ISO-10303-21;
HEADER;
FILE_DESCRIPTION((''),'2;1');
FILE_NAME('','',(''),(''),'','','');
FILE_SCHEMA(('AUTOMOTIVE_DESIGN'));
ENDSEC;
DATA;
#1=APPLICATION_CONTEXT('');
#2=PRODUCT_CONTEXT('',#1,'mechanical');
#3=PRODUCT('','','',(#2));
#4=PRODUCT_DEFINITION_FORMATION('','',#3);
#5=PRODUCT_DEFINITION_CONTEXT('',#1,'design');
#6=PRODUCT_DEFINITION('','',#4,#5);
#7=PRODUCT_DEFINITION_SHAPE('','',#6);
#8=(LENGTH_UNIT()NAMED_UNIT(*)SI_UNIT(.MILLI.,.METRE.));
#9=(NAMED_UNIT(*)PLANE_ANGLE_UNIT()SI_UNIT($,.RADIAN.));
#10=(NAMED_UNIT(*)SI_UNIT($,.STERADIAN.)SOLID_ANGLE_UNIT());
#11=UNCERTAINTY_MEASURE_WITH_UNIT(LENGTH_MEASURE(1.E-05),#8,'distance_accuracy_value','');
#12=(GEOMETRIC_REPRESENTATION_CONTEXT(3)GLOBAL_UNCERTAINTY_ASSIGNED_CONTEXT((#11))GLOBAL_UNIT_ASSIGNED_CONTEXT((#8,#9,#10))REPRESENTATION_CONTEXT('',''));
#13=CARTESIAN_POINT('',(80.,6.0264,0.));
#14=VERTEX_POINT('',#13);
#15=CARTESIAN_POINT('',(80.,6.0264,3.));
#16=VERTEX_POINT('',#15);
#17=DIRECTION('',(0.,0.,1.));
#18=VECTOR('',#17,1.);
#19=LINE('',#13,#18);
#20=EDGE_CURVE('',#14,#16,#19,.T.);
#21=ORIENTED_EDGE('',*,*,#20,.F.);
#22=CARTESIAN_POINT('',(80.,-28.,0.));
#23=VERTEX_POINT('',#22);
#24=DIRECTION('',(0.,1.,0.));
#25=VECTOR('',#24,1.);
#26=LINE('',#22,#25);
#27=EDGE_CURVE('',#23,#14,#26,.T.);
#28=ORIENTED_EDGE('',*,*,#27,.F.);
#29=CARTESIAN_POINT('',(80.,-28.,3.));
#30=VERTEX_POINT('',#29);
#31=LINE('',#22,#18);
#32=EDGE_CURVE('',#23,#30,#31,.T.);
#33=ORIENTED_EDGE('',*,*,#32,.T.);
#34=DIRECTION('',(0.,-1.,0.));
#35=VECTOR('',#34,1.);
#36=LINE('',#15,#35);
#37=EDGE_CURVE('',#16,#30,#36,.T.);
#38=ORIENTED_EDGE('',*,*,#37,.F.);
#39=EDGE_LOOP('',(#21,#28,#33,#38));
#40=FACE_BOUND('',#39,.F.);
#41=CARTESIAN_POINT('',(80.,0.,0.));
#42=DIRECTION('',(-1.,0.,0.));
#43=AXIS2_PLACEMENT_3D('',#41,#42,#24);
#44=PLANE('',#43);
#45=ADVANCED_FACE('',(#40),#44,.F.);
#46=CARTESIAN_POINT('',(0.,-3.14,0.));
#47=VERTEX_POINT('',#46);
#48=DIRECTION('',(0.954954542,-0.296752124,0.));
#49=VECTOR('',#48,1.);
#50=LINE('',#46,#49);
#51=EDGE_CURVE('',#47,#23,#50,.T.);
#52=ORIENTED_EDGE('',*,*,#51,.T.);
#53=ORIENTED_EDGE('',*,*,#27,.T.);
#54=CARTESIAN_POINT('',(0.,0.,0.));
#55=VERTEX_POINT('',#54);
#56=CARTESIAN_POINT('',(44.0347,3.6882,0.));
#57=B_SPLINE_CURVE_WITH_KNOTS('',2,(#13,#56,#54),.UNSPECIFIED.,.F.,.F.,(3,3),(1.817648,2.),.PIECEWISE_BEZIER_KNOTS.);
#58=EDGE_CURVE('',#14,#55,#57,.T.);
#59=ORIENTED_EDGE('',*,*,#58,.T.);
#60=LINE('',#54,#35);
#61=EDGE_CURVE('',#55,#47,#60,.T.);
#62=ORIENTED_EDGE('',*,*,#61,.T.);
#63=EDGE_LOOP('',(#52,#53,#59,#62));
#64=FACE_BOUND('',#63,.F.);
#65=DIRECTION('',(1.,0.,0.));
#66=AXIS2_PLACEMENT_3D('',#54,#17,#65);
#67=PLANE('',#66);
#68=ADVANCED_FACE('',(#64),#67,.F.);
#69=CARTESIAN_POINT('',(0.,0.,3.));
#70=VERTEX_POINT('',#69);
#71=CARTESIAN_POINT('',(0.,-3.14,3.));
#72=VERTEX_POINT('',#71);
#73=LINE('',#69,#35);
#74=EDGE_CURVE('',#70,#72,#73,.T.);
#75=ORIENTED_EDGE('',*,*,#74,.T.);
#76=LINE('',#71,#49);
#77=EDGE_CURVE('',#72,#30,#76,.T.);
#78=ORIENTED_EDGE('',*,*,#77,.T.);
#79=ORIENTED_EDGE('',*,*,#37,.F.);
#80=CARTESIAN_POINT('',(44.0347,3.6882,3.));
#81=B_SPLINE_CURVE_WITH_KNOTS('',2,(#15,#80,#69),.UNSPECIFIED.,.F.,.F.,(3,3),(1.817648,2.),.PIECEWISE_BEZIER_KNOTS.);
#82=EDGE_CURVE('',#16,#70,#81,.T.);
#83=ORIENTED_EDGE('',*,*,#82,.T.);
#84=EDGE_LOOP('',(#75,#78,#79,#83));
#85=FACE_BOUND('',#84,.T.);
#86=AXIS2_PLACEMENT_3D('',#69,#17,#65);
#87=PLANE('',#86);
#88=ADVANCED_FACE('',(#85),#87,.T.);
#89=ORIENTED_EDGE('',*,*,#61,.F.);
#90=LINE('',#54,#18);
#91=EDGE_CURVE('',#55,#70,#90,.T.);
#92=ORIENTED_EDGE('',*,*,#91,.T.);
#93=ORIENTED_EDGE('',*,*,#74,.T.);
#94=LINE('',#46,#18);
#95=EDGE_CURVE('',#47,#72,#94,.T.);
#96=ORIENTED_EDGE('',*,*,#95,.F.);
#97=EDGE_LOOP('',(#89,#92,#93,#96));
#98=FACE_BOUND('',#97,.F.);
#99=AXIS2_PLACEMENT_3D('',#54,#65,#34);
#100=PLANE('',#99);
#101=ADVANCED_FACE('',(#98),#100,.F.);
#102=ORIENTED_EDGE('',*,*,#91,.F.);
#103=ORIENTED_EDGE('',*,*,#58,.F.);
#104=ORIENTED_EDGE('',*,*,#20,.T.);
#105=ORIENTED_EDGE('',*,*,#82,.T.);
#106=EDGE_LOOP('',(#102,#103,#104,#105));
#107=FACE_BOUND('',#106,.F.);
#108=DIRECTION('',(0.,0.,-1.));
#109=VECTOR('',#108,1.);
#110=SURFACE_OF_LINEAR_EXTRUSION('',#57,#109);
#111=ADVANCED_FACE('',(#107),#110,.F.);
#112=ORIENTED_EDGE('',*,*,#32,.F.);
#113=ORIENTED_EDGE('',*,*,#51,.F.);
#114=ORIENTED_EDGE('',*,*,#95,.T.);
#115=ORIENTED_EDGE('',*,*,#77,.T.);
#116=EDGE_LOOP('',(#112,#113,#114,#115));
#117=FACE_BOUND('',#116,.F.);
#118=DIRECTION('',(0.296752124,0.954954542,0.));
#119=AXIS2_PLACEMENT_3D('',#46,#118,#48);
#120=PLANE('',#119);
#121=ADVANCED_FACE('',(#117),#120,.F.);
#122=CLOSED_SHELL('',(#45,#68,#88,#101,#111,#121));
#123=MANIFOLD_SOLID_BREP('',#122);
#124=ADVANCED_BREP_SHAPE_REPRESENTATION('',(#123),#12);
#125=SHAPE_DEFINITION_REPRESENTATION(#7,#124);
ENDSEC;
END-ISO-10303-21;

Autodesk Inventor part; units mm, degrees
ref_plane "YZ Plane" through (0, 0, 0) normal (1, 0, 0) x (0, 1, 0)
ref_plane "XZ Plane" through (0, 0, 0) normal (0, 1, 0) x (-1, 0, 0)
ref_plane "XY Plane" through (0, 0, 0) normal (0, 0, 1) x (1, 0, 0)
sketch "Sketch1" plane through (0, 0, 0) normal (0, 0, 1) x (1, 0, 0)
  line L0 (0, 0) -> (80, 0)
  line L1 (80, 0) -> (80, -28)
  line L2 (0, 0) -> (0, -3.14)
  line L3 (0, -3.14) -> (80, -28)
  line L4 (150.2892, -0.1489) -> (150.2892, 5.4009)
  line L5 (230.2892, -0.1489) -> (230.2892, 1.7609)
  spline S0 degree 2 poles (80, 6.0264) (44.0347, 3.6882) (0, 0) knots 1.817648 1.817648 1.817648 2 2 2
  line L6 (44.0347, 3.6882) -> (0, 0) construction
  line L7 (80, 0) -> (80, 6.0264)
  line L8 (80, 6.0264) -> (44.0347, 3.6882) construction
  point P0 (56.2982, -5.2891)
  point P1 (80, 6.0264)
  dimension "d1" = 28
  dimension "d4" = 3.14
  dimension "d16" = 80
extrude "Extrusion1" add sketch "Sketch1" along normal blind 3
